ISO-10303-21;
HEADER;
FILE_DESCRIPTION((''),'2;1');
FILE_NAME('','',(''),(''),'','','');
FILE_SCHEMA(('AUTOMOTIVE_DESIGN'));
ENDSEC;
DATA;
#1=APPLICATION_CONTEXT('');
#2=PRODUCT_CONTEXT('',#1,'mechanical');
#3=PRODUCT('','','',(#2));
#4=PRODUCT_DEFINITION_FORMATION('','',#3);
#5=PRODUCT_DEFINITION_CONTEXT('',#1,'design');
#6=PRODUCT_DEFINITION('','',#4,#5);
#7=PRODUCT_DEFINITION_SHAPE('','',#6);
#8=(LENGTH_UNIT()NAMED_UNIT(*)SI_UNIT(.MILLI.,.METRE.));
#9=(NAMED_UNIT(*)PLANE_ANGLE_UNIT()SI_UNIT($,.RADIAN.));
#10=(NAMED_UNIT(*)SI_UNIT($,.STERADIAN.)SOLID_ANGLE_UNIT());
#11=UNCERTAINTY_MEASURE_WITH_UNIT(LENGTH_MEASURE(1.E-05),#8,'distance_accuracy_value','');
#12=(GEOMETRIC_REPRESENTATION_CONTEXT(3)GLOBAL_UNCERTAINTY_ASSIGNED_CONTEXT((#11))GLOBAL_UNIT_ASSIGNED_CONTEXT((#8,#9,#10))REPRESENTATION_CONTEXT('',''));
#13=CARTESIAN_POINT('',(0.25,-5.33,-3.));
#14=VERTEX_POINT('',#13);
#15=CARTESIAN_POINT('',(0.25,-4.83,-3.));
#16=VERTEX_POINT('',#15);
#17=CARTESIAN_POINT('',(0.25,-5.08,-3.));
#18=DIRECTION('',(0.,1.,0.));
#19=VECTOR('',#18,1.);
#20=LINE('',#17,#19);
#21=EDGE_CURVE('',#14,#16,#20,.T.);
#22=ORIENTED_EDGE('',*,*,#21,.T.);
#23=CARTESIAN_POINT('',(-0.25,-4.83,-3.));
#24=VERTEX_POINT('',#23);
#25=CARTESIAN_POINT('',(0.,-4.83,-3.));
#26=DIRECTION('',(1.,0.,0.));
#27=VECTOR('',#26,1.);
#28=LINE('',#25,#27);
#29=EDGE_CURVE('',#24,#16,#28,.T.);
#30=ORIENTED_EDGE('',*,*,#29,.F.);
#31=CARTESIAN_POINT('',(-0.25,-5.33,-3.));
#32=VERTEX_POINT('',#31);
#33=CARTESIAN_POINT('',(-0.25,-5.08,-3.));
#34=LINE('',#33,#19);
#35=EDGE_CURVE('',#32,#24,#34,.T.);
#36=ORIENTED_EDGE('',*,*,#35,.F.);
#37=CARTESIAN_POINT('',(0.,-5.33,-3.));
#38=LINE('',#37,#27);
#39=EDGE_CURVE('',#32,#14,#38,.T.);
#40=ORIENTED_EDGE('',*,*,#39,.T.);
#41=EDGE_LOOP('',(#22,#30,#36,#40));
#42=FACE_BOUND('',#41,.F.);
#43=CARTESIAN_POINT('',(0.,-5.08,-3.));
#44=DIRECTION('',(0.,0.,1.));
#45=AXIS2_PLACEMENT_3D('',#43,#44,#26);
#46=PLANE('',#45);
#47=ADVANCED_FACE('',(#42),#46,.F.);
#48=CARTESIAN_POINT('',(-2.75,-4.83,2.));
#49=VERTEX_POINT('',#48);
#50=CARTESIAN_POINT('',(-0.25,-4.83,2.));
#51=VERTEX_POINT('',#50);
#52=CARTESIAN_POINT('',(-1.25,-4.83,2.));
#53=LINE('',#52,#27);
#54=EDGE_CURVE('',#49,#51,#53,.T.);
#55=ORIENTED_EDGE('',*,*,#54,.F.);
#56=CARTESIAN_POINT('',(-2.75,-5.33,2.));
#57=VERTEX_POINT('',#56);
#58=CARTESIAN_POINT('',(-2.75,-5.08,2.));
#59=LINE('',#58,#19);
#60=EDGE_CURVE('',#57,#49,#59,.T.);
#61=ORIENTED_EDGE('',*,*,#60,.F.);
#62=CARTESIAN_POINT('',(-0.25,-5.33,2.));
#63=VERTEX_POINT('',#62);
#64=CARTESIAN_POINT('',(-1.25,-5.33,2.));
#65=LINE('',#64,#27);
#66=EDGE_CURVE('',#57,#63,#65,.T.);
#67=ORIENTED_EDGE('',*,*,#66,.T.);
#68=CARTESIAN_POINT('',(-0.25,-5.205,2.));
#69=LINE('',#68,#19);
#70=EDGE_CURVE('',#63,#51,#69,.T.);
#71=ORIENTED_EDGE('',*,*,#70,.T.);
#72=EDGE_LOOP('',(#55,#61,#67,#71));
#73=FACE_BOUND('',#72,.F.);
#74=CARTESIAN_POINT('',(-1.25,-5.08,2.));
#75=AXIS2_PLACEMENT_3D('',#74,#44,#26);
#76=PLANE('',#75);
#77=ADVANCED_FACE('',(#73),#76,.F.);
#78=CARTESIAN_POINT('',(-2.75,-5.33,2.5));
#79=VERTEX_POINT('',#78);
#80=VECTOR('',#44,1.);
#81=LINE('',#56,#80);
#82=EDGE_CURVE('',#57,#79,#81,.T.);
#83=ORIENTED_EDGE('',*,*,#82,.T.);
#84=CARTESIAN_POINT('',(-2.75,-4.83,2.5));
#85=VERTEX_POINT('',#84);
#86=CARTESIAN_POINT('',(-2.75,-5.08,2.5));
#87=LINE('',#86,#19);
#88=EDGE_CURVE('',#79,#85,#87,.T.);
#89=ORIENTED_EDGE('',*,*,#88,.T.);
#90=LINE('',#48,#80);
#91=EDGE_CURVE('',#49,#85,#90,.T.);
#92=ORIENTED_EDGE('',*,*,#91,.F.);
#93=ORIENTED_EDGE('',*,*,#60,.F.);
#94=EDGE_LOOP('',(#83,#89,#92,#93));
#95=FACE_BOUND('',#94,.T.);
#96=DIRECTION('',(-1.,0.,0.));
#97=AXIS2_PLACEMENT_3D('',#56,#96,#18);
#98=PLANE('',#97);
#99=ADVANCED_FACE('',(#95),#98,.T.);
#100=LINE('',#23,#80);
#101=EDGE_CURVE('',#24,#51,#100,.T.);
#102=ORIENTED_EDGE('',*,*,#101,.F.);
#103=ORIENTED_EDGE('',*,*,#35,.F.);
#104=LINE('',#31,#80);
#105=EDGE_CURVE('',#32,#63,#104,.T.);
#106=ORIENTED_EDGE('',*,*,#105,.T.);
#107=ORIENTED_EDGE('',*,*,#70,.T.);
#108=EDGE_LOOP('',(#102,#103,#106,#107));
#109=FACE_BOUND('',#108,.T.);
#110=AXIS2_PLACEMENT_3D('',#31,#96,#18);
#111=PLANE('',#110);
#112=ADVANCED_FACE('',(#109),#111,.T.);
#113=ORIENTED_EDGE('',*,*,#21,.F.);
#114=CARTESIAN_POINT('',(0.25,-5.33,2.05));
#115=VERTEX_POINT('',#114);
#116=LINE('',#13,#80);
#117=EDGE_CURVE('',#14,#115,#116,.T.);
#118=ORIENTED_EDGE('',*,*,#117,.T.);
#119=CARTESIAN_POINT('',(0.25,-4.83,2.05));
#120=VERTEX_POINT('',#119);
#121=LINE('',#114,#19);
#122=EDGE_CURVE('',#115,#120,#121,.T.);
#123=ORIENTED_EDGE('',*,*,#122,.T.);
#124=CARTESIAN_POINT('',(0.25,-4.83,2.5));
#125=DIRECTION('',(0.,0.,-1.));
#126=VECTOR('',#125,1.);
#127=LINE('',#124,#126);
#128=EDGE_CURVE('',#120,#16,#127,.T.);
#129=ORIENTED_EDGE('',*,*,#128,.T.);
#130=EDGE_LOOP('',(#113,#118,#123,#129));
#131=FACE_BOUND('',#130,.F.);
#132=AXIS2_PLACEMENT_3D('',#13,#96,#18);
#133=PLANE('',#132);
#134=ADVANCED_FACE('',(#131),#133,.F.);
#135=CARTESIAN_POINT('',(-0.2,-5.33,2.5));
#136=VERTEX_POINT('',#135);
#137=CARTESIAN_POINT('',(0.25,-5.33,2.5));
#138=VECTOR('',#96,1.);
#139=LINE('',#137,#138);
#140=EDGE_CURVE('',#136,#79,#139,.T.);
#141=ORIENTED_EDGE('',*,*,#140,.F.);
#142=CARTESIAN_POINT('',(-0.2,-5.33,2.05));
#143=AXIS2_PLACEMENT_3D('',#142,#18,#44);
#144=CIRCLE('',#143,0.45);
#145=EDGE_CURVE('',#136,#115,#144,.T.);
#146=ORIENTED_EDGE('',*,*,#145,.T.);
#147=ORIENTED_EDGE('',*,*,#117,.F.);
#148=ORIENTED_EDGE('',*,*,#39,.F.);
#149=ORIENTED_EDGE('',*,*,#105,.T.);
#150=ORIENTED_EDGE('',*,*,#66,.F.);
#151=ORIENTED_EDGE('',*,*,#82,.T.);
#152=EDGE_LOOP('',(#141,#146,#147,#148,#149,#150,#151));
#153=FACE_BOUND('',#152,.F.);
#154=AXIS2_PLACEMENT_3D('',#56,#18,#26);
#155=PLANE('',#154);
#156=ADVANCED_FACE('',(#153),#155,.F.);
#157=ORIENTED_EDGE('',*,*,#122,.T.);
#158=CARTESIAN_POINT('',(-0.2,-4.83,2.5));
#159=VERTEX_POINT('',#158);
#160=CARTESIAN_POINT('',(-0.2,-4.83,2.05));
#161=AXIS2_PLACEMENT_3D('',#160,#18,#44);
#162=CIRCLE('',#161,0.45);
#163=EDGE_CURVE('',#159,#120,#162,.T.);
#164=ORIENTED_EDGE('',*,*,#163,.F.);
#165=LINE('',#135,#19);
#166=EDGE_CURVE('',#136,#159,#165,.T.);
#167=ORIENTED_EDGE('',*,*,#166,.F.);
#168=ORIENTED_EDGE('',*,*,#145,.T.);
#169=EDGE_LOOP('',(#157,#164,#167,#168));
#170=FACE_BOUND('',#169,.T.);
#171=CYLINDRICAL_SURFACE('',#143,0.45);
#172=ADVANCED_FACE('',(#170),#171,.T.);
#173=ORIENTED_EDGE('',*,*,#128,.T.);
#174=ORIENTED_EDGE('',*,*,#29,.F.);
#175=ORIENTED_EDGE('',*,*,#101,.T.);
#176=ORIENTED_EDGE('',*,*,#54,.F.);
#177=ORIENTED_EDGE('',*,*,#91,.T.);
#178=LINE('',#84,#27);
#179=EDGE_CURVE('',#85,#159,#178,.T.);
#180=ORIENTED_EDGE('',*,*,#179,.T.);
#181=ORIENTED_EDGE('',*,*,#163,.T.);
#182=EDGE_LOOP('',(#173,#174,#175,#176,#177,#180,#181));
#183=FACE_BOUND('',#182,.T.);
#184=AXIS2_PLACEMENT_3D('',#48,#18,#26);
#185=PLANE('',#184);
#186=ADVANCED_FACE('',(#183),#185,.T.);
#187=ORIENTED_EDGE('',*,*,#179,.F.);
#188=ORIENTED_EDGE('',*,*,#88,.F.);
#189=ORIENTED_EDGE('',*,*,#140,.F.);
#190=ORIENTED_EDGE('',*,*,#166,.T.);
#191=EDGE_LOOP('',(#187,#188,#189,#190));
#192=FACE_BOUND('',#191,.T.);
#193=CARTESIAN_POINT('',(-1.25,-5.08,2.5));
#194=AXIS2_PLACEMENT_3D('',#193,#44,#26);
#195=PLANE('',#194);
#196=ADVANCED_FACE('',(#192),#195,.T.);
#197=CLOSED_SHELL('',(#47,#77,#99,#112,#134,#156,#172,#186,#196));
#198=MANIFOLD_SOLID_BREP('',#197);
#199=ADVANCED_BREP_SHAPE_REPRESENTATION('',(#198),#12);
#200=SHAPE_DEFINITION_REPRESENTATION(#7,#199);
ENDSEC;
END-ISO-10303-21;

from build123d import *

# Parameters (mm, degrees)
BOX019_W     = 3
BOX019_H     = 0.5
BOX019_DEPTH = 0.5
BOX016_W     = 0.5
BOX016_H     = 0.5
BOX016_DEPTH = 5.5
FILLET008_R  = 0.45


with BuildPart() as kub019:
    # Box019 → Box019 (new body)
    with BuildSketch(Plane(origin=(-2.75, -5.33, 2), x_dir=(1, 0, 0), z_dir=(0, 0, 1))):
        with Locations((1.5, 0.25)):
            Rectangle(BOX019_W, BOX019_H)
    extrude(amount=BOX019_DEPTH)


with BuildPart() as fillet008:
    # Box016 → Box016 (new body)
    with BuildSketch(Plane(origin=(-0.25, -5.33, -3), x_dir=(1, 0, 0), z_dir=(0, 0, 1))):
        with Locations((0.25, 0.25)):
            Rectangle(BOX016_W, BOX016_H)
    extrude(amount=BOX016_DEPTH)

    # Fusion005: union Kub019
    add(kub019.part)

    # Fillet008
    fillet008_edges = [fillet008.edges().sort_by_distance(p)[0] for p in [
        (0.25, -5.08, 2.5),
    ]]
    fillet(fillet008_edges, radius=FILLET008_R)


solid = fillet008.part
